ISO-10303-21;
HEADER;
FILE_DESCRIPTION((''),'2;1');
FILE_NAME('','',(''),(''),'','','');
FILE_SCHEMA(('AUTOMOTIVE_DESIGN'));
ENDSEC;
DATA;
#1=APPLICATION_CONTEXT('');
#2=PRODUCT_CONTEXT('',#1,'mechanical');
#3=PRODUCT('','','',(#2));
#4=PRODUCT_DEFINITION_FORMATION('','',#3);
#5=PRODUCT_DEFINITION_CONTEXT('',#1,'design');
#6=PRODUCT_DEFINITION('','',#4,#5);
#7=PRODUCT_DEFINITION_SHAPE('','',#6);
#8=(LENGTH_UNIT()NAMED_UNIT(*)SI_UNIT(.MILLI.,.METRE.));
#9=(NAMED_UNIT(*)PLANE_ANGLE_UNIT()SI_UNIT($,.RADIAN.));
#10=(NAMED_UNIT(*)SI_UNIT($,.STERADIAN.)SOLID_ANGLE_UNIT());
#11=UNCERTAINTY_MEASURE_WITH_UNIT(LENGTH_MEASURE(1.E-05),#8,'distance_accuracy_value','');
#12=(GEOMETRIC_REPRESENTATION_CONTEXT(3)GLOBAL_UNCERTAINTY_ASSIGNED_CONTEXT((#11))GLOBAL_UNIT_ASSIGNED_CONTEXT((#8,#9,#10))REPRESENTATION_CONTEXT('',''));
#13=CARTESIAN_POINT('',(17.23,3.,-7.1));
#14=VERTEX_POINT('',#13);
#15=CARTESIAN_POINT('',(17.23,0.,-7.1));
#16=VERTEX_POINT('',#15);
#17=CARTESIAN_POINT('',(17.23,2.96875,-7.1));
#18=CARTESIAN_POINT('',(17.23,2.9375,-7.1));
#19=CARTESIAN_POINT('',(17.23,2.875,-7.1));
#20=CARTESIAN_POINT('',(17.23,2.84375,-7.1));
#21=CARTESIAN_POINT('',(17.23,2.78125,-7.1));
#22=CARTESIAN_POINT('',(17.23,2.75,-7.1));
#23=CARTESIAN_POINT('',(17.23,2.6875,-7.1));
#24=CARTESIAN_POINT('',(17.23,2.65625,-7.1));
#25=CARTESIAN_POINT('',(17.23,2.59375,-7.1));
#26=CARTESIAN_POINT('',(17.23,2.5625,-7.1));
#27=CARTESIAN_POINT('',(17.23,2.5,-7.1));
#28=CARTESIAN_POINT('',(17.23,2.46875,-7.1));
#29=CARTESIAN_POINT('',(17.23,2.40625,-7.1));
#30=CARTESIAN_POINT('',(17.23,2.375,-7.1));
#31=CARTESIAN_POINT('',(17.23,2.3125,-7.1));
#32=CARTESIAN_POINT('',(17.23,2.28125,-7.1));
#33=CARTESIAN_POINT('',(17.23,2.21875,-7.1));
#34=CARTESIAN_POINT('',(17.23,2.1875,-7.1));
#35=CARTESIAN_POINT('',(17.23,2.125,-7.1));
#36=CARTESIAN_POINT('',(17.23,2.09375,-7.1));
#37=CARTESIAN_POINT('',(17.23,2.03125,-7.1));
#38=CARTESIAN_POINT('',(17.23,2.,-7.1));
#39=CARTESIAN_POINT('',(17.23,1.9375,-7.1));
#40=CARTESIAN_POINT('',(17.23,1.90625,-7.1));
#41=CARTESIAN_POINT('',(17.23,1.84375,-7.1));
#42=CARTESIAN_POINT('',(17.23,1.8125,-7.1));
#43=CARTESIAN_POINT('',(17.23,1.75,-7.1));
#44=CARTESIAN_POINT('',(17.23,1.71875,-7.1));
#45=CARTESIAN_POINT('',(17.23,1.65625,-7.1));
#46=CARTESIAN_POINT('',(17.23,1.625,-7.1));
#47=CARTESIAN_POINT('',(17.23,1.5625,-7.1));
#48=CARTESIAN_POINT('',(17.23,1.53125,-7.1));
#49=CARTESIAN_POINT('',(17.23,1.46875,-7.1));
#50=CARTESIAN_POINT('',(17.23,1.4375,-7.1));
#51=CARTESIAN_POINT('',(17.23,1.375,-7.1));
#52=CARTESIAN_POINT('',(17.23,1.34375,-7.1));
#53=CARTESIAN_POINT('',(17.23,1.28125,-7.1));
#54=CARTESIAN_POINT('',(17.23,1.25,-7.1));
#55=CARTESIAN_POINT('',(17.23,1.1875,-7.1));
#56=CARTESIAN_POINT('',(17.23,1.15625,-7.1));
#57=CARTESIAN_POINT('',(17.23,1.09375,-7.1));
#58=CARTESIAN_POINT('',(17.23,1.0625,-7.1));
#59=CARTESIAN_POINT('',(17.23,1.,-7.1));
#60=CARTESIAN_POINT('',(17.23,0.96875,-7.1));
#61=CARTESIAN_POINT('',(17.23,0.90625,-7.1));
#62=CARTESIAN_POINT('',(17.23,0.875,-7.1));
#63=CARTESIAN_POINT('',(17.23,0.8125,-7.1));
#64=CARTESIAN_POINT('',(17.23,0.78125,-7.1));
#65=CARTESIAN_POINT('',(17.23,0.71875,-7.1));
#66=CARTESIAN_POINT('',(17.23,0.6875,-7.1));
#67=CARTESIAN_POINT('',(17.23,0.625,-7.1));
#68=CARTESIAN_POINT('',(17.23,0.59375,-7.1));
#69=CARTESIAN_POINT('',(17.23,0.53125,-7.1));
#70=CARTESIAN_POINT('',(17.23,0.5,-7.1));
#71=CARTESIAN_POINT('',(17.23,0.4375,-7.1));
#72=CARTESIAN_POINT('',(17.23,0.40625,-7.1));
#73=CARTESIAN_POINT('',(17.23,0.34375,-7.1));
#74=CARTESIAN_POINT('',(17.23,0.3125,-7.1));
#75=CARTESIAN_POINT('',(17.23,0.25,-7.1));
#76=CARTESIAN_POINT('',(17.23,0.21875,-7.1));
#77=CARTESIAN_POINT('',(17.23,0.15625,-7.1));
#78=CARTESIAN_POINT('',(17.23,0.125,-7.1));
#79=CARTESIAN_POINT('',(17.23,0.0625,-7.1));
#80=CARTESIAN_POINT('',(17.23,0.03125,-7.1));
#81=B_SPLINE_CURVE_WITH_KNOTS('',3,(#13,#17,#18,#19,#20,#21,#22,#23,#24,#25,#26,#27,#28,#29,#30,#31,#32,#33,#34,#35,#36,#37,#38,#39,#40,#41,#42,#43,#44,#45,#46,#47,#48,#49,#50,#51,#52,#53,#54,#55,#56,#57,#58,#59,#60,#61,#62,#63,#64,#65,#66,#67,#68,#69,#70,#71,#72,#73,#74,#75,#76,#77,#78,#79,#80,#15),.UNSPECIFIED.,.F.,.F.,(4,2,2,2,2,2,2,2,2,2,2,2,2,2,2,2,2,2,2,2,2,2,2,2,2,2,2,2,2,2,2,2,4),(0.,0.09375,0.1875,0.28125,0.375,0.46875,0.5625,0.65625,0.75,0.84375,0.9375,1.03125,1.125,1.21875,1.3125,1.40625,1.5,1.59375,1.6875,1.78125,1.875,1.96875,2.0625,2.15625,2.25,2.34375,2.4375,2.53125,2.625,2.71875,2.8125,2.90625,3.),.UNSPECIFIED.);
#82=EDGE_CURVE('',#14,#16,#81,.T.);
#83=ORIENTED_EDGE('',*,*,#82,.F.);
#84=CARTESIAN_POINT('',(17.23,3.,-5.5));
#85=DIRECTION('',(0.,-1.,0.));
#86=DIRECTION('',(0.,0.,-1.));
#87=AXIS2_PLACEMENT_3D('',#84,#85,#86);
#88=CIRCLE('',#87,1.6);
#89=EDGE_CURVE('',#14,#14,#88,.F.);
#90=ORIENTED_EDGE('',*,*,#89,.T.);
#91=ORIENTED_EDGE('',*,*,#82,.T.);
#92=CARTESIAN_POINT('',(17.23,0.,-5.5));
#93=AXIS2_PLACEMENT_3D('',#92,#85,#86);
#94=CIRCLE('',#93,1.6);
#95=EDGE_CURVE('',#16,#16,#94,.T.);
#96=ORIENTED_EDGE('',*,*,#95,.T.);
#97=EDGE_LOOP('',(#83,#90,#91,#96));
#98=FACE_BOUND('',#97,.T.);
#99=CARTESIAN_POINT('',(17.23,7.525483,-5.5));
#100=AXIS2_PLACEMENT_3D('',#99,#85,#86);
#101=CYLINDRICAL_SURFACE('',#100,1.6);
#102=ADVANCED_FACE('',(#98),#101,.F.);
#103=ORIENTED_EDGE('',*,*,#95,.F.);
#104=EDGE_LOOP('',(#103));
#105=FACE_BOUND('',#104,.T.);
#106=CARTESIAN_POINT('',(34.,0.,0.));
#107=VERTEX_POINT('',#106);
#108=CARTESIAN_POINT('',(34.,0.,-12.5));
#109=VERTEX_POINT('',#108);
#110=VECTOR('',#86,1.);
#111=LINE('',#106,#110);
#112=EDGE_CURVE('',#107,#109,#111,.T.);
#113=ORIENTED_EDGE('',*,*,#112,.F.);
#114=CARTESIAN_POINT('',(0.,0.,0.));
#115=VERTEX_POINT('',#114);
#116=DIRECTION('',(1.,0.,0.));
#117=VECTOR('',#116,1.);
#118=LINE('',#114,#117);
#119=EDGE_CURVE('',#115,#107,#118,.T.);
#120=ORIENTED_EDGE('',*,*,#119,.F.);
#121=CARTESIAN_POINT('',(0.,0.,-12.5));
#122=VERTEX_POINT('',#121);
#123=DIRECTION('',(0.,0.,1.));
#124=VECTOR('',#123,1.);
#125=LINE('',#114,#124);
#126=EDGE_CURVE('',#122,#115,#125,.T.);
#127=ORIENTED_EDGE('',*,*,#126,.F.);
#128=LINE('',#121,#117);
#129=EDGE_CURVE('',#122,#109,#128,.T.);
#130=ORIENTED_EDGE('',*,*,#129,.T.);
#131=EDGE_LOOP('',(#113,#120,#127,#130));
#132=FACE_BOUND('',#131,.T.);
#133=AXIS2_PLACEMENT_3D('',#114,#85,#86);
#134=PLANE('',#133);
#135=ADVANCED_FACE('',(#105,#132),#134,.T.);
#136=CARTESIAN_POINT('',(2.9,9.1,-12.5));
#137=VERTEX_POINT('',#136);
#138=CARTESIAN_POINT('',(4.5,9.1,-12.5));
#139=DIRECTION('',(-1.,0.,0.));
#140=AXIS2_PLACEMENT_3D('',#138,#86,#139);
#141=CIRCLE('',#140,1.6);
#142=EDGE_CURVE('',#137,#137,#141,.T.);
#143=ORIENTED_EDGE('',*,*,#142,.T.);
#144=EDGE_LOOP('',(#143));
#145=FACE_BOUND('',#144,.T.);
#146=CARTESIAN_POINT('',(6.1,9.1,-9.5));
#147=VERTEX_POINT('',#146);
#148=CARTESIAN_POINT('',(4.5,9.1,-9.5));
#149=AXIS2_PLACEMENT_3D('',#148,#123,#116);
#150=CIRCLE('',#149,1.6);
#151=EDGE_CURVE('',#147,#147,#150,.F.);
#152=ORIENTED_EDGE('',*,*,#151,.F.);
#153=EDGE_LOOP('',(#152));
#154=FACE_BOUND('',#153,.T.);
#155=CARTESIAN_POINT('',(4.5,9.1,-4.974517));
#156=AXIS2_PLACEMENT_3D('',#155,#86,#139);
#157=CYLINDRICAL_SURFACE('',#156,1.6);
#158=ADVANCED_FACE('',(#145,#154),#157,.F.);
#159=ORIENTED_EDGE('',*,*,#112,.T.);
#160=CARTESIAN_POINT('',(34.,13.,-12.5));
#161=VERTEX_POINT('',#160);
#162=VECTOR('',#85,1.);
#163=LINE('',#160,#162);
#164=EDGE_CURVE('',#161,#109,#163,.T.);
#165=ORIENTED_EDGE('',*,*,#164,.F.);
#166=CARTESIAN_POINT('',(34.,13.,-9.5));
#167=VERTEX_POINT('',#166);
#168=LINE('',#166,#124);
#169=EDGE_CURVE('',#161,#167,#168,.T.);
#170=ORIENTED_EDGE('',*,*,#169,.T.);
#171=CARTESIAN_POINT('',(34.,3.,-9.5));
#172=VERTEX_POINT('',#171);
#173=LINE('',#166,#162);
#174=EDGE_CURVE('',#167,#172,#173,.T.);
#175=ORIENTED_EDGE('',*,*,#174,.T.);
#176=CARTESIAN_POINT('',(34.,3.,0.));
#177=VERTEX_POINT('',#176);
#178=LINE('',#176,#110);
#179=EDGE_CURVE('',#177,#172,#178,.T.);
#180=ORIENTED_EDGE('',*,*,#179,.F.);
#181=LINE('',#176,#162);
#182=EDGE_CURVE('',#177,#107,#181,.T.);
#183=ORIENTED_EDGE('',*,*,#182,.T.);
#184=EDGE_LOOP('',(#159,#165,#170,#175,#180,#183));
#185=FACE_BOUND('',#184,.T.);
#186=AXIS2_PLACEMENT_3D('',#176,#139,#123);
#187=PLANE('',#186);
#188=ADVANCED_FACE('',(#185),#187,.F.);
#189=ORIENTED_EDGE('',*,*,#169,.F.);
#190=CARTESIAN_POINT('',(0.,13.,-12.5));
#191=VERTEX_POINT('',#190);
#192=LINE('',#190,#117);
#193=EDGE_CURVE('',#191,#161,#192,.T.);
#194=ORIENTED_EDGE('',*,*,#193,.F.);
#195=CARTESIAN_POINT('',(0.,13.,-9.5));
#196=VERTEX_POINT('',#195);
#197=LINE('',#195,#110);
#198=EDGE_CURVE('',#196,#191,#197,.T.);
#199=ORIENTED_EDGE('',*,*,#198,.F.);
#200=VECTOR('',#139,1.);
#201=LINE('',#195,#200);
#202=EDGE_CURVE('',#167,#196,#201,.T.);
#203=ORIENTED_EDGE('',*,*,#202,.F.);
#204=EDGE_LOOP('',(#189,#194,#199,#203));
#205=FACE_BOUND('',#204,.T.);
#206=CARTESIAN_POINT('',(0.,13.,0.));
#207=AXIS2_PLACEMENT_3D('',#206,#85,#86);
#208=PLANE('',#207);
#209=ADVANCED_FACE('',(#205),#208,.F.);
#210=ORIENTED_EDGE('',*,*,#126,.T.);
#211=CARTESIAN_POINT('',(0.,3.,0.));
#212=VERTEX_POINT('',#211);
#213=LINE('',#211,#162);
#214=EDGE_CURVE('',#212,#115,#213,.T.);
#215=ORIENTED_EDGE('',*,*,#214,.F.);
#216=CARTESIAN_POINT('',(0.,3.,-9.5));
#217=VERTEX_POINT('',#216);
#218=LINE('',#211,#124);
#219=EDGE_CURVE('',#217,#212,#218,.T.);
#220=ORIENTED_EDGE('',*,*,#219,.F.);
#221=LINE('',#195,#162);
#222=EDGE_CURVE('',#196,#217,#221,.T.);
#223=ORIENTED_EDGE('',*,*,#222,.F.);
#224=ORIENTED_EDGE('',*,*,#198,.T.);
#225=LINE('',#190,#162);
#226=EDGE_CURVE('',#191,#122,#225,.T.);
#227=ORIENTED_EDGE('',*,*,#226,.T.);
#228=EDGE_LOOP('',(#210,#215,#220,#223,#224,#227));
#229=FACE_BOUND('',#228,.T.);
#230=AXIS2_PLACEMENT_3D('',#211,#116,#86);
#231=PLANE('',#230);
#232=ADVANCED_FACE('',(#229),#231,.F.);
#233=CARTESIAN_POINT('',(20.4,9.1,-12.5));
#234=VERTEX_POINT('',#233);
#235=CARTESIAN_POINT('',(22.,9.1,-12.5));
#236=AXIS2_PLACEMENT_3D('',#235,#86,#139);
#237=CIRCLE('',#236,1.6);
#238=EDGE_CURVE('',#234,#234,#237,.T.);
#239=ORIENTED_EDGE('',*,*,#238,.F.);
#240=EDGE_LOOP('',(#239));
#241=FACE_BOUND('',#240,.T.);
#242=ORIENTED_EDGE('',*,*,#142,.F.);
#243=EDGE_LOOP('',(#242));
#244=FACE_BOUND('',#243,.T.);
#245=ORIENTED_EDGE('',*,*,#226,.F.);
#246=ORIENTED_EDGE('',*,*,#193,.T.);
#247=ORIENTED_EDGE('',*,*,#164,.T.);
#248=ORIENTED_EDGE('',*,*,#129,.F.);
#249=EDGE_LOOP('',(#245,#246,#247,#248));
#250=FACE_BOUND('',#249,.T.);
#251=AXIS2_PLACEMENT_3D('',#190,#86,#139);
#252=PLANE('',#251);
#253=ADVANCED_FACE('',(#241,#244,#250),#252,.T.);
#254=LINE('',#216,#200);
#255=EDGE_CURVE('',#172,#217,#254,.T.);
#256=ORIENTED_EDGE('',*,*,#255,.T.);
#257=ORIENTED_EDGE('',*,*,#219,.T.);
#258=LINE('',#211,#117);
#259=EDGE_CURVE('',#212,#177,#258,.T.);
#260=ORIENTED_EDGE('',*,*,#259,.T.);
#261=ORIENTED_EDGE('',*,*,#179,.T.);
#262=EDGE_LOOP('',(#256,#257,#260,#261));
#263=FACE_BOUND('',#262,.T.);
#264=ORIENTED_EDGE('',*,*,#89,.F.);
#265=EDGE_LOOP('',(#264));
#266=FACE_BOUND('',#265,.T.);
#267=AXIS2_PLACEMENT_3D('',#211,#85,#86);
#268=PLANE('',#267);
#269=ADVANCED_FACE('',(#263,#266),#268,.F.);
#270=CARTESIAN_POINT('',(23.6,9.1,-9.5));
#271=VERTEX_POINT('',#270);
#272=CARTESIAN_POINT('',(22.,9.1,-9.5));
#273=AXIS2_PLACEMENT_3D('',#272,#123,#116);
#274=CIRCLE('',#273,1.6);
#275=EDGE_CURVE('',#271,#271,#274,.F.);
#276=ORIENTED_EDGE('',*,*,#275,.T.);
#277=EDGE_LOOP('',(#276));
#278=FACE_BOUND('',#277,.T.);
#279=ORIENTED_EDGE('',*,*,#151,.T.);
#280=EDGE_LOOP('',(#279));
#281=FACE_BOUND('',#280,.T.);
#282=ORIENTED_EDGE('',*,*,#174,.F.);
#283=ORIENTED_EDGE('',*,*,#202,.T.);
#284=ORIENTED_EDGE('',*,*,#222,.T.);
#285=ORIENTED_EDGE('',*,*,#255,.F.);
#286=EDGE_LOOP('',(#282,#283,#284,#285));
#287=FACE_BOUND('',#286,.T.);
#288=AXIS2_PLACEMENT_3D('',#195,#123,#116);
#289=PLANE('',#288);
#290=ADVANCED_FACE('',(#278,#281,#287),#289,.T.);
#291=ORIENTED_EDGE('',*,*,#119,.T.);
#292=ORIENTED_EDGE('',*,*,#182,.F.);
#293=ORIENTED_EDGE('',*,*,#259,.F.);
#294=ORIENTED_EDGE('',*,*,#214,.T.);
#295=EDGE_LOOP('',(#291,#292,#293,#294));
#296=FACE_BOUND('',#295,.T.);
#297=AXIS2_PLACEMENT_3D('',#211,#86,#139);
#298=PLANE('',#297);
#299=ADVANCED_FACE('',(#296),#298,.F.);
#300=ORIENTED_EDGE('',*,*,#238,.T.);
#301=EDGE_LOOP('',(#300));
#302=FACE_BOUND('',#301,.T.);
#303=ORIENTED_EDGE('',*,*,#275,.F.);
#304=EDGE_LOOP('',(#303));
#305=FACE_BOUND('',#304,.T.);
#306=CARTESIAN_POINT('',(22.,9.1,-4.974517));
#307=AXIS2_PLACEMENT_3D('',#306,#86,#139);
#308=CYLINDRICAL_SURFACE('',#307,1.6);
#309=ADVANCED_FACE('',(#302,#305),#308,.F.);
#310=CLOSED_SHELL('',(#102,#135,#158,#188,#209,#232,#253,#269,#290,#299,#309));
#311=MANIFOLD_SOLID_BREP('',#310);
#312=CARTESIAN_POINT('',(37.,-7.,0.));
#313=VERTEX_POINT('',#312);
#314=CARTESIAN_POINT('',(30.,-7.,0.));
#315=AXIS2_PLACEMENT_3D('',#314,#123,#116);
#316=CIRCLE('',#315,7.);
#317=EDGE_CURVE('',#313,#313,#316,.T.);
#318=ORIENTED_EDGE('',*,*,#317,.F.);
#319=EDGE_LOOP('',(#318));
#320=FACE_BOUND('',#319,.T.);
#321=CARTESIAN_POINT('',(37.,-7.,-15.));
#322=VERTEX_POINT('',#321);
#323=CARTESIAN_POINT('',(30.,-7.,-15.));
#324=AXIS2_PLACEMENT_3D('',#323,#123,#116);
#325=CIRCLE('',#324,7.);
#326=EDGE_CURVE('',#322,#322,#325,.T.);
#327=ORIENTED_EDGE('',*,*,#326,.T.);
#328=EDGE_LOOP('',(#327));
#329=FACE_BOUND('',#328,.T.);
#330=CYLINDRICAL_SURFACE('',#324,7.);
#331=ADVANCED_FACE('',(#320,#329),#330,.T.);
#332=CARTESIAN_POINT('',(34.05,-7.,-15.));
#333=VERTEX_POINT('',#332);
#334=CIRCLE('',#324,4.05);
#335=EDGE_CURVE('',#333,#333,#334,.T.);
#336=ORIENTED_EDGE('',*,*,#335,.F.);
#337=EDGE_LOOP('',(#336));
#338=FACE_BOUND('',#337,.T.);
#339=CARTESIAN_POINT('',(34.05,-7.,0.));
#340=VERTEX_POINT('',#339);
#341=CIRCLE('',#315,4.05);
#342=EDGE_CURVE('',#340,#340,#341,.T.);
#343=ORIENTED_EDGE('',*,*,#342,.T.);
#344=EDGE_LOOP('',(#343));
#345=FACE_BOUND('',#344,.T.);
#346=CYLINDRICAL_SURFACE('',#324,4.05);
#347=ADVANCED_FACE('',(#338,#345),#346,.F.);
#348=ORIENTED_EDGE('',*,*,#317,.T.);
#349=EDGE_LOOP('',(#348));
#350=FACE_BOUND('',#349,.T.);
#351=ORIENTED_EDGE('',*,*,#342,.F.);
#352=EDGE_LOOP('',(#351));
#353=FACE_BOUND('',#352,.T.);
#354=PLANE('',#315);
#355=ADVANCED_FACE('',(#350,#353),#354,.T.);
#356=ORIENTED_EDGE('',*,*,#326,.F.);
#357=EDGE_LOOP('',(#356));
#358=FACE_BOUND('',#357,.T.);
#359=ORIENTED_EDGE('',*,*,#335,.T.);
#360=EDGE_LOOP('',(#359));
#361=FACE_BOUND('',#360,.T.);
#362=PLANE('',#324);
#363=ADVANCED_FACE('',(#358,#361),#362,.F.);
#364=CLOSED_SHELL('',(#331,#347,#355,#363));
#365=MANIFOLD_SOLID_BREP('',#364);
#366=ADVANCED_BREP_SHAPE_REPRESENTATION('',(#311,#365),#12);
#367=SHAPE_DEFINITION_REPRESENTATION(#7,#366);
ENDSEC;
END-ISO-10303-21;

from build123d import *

# Parameters (mm, degrees)
CROQUIS1_W              = 34
CROQUIS1_H              = 9.5
SALIENTE_EXTRUIR1_DEPTH = 3
CROQUIS2_W              = 34
CROQUIS2_H              = 3
SALIENTE_EXTRUIR2_DEPTH = 13
CROQUIS3_R              = 1.6
CORTAR_EXTRUIR1_DEPTH   = 3
CROQUIS4_R              = 1.6
CORTAR_EXTRUIR2_DEPTH   = 3
CROQUIS5_R              = 7
SALIENTE_EXTRUIR3_DEPTH = 15
CROQUIS6_R              = 4.05
CORTAR_EXTRUIR3_DEPTH   = 43.308391603


with BuildPart() as part:
    # Croquis1 → Saliente-Extruir1 (new body)
    with BuildSketch(Plane(origin=(0, 0, 0), x_dir=(1, 0, 0), z_dir=(0, 1, 0))):
        with Locations((17, 4.75)):
            Rectangle(CROQUIS1_W, CROQUIS1_H)
    extrude(amount=SALIENTE_EXTRUIR1_DEPTH)

    # Croquis2 → Saliente-Extruir2 (add)
    with BuildSketch(Plane.XZ):
        with Locations((17, -11)):
            Rectangle(CROQUIS2_W, CROQUIS2_H)
    extrude(amount=-SALIENTE_EXTRUIR2_DEPTH)

    # Croquis3 → Cortar-Extruir1 (cut)
    with BuildSketch(Plane(origin=(0, 0, -12.5), x_dir=(-1, 0, 0), z_dir=(0, 0, -1))):
        with Locations((-4.5, 9.1)):
            Circle(CROQUIS3_R)
        with Locations((-22, 9.1)):
            Circle(CROQUIS3_R)
    extrude(amount=-CORTAR_EXTRUIR1_DEPTH, mode=Mode.SUBTRACT)

    # Croquis4 → Cortar-Extruir2 (cut)
    with BuildSketch(Plane.XZ):
        with Locations(Location((17.23, -5.5, 0), (0, 0, 270))):
            Circle(CROQUIS4_R)
    extrude(amount=-CORTAR_EXTRUIR2_DEPTH, mode=Mode.SUBTRACT)


with BuildPart() as body_2:
    # Croquis5 → Saliente-Extruir3 (new body)
    with BuildSketch(Plane.XY):
        with Locations((30, -7)):
            Circle(CROQUIS5_R)
    extrude(amount=-SALIENTE_EXTRUIR3_DEPTH)

    # Croquis6 → Cortar-Extruir3 (cut, through all)
    with BuildSketch(Plane.XY):
        with Locations((30, -7)):
            Circle(CROQUIS6_R)
    extrude(amount=-CORTAR_EXTRUIR3_DEPTH, mode=Mode.SUBTRACT)


solid = Compound([part.part, body_2.part])
